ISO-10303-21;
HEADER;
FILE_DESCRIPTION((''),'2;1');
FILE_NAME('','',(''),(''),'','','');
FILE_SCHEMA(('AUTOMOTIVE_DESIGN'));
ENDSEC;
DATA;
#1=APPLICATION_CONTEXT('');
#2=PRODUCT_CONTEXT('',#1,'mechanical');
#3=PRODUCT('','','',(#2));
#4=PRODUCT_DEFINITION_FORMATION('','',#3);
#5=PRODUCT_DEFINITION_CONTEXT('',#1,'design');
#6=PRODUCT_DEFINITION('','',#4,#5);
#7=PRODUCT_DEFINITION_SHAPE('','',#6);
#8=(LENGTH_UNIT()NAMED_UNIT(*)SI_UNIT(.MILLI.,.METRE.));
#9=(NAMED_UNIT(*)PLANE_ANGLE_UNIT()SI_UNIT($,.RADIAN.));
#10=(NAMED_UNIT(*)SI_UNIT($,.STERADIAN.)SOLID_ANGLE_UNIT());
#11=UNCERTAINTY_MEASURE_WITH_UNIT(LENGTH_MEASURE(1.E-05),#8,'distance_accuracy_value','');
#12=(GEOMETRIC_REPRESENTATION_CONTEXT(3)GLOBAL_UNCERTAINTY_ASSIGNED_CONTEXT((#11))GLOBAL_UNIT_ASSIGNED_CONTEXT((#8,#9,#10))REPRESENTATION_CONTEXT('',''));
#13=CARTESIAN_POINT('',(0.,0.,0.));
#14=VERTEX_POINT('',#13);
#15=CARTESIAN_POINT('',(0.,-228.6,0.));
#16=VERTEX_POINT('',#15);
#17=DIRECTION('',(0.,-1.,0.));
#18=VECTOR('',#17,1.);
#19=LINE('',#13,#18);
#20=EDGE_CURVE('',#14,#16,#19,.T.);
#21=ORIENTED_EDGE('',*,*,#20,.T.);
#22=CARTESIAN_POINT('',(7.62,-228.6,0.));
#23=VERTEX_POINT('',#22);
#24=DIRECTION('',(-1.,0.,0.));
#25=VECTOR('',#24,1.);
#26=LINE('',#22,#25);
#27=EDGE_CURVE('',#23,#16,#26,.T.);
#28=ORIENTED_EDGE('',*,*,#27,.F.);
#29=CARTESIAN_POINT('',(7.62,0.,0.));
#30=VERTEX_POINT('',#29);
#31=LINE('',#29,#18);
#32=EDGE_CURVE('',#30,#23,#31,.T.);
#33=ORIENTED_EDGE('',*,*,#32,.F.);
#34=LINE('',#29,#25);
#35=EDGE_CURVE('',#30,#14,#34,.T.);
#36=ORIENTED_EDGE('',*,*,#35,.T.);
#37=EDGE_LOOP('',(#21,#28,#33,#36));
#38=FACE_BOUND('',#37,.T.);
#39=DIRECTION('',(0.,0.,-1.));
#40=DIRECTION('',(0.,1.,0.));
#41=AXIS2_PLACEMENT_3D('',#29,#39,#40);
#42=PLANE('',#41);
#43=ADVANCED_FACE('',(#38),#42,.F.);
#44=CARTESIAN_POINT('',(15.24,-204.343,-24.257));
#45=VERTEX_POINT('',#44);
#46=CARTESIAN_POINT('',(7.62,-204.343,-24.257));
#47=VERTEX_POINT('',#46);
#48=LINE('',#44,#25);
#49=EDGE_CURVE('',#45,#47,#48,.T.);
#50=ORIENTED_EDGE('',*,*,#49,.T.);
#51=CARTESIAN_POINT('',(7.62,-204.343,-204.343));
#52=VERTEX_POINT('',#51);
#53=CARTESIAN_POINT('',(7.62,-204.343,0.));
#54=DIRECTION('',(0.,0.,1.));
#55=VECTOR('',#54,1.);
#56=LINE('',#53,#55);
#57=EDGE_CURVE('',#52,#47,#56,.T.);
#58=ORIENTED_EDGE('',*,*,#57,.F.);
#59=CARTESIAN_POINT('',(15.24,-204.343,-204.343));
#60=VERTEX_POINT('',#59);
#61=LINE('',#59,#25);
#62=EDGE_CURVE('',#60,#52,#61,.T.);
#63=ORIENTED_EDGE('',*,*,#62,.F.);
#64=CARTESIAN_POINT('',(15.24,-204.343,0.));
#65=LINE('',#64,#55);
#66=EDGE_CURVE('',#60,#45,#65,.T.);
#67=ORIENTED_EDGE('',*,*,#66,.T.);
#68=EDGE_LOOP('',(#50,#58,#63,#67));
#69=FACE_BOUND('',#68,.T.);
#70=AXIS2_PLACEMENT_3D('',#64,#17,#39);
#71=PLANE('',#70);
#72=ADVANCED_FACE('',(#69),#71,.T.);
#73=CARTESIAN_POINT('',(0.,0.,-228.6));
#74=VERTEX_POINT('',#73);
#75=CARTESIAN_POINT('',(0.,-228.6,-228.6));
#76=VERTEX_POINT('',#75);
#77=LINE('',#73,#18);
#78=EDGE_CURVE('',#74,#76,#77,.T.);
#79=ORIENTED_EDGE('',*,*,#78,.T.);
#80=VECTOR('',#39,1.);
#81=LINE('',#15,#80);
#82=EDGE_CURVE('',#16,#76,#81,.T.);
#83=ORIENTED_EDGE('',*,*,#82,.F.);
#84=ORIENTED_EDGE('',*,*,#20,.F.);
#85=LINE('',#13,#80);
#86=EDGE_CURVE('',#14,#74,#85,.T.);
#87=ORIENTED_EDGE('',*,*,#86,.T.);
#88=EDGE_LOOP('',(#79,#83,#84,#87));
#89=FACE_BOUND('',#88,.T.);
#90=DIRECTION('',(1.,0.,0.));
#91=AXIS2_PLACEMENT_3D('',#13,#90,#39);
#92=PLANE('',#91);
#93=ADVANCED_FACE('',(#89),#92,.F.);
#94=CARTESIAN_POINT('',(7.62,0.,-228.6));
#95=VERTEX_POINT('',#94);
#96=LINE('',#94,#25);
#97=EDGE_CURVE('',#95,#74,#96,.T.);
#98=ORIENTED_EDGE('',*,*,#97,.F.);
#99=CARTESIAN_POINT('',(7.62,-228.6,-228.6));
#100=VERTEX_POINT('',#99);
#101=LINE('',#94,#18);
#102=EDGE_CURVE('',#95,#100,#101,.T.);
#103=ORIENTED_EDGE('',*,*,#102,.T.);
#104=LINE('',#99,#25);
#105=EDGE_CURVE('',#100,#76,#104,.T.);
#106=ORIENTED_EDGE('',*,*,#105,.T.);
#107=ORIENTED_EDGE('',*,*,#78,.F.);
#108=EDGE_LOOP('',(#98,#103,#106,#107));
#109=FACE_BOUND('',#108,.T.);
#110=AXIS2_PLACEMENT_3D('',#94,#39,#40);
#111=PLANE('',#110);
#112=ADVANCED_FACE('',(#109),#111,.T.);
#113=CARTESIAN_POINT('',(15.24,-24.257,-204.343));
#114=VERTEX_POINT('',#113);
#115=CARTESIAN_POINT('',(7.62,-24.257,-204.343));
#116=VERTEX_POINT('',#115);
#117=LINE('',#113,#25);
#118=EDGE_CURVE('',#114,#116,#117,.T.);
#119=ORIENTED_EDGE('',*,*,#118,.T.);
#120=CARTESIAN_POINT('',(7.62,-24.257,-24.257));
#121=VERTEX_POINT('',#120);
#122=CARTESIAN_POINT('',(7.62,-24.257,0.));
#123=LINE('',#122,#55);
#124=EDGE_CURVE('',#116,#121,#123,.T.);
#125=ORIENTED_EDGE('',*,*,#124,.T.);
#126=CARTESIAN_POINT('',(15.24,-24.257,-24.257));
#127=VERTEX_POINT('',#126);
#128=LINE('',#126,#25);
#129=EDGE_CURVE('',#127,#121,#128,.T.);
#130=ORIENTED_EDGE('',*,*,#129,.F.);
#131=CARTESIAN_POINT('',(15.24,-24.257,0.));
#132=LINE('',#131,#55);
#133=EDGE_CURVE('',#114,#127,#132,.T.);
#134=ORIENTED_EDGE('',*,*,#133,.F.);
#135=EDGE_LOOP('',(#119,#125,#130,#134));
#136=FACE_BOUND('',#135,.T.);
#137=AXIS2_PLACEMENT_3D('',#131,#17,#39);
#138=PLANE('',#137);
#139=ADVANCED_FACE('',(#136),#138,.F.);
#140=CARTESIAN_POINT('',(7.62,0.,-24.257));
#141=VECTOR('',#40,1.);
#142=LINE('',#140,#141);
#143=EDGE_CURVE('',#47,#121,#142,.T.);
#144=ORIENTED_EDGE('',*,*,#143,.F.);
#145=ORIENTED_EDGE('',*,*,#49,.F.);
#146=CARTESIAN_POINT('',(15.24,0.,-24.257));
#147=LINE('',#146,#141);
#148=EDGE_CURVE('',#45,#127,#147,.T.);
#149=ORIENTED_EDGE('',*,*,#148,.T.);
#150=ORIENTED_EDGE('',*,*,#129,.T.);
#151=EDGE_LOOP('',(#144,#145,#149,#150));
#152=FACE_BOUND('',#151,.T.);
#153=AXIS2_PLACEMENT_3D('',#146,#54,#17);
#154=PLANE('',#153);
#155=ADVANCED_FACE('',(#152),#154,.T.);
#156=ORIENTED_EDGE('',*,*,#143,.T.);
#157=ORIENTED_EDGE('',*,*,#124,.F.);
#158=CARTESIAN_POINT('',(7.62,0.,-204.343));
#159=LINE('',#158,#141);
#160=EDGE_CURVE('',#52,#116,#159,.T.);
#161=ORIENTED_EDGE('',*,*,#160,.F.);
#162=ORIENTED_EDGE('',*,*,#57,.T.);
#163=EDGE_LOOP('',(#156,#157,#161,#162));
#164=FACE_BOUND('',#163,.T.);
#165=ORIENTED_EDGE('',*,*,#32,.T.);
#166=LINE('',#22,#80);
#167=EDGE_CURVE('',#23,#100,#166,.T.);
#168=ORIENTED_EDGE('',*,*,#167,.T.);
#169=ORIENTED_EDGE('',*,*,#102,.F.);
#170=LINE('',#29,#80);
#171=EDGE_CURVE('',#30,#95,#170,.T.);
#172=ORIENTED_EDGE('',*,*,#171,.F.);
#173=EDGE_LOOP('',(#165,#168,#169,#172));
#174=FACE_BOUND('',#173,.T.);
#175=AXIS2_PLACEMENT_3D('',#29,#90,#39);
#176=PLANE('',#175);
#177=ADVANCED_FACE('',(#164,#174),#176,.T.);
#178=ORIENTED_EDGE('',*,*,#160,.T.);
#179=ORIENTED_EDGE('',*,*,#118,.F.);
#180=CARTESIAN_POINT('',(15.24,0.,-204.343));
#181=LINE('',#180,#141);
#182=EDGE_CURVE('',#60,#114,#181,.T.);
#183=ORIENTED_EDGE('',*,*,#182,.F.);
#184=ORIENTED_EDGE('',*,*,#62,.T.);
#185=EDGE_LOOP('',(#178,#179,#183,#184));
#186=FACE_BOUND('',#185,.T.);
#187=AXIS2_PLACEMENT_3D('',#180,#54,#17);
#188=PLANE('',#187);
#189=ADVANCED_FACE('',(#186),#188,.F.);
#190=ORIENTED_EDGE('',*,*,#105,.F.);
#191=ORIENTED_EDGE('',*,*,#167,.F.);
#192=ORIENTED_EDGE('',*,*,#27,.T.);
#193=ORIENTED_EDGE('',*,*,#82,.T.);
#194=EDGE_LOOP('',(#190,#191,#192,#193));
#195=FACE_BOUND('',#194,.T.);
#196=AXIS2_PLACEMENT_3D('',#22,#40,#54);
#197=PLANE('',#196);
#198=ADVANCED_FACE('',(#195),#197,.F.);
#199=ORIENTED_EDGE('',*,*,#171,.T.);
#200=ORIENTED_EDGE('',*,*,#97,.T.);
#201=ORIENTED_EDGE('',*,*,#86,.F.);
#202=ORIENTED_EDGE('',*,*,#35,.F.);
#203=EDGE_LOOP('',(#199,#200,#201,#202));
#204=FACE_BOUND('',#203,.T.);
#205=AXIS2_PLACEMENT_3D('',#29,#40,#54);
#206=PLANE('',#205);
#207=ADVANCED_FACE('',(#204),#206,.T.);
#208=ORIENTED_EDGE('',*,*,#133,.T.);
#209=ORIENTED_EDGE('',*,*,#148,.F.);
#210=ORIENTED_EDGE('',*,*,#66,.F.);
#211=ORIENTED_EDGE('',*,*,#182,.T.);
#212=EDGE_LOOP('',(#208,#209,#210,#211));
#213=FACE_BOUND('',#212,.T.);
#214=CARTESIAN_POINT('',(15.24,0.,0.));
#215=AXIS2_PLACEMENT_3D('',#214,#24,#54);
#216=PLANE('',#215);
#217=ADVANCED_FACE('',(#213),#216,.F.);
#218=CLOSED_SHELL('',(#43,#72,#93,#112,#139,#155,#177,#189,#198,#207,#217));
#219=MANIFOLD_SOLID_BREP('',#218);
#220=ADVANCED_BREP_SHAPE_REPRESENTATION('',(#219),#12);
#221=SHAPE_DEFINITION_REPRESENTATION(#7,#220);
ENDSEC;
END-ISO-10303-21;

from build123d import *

# Parameters (mm, degrees)
SKETCH1_W           = 228.6
SKETCH1_H           = 228.6
SKETCH1_W_2         = 180.086
SKETCH1_H_2         = 180.086
BOSS_EXTRUDE1_DEPTH = 7.62
BOSS_EXTRUDE2_START = 7.62
SKETCH1_3_W         = 180.086
SKETCH1_3_H         = 180.086
BOSS_EXTRUDE2_DEPTH = 7.62


with BuildPart() as part:
    # Sketch1 → Boss-Extrude1 (new body)
    # profile 1 of 2: a face of its own
    with BuildSketch(Plane(origin=(0, 0, 0), x_dir=(0, 0, -1), z_dir=(1, 0, 0))):
        with Locations((114.3, -114.3)):
            Rectangle(SKETCH1_W, SKETCH1_H)
        with Locations((114.3, -114.3)):
            Rectangle(SKETCH1_W_2, SKETCH1_H_2, mode=Mode.SUBTRACT)
    # profile 2 of 2: a face of its own
    with BuildSketch(Plane(origin=(0, 0, 0), x_dir=(0, 0, -1), z_dir=(1, 0, 0))):
        with Locations((114.3, -114.3)):
            Rectangle(SKETCH1_W_2, SKETCH1_H_2)
    extrude(amount=BOSS_EXTRUDE1_DEPTH)

    # Sketch1<3> → Boss-Extrude2 (add)
    with BuildSketch(Plane(origin=(0, 0, 0), x_dir=(0, 0, -1), z_dir=(1, 0, 0)).offset(BOSS_EXTRUDE2_START)):
        with Locations((114.3, -114.3)):
            Rectangle(SKETCH1_3_W, SKETCH1_3_H)
    extrude(amount=BOSS_EXTRUDE2_DEPTH)


solid = part.part
